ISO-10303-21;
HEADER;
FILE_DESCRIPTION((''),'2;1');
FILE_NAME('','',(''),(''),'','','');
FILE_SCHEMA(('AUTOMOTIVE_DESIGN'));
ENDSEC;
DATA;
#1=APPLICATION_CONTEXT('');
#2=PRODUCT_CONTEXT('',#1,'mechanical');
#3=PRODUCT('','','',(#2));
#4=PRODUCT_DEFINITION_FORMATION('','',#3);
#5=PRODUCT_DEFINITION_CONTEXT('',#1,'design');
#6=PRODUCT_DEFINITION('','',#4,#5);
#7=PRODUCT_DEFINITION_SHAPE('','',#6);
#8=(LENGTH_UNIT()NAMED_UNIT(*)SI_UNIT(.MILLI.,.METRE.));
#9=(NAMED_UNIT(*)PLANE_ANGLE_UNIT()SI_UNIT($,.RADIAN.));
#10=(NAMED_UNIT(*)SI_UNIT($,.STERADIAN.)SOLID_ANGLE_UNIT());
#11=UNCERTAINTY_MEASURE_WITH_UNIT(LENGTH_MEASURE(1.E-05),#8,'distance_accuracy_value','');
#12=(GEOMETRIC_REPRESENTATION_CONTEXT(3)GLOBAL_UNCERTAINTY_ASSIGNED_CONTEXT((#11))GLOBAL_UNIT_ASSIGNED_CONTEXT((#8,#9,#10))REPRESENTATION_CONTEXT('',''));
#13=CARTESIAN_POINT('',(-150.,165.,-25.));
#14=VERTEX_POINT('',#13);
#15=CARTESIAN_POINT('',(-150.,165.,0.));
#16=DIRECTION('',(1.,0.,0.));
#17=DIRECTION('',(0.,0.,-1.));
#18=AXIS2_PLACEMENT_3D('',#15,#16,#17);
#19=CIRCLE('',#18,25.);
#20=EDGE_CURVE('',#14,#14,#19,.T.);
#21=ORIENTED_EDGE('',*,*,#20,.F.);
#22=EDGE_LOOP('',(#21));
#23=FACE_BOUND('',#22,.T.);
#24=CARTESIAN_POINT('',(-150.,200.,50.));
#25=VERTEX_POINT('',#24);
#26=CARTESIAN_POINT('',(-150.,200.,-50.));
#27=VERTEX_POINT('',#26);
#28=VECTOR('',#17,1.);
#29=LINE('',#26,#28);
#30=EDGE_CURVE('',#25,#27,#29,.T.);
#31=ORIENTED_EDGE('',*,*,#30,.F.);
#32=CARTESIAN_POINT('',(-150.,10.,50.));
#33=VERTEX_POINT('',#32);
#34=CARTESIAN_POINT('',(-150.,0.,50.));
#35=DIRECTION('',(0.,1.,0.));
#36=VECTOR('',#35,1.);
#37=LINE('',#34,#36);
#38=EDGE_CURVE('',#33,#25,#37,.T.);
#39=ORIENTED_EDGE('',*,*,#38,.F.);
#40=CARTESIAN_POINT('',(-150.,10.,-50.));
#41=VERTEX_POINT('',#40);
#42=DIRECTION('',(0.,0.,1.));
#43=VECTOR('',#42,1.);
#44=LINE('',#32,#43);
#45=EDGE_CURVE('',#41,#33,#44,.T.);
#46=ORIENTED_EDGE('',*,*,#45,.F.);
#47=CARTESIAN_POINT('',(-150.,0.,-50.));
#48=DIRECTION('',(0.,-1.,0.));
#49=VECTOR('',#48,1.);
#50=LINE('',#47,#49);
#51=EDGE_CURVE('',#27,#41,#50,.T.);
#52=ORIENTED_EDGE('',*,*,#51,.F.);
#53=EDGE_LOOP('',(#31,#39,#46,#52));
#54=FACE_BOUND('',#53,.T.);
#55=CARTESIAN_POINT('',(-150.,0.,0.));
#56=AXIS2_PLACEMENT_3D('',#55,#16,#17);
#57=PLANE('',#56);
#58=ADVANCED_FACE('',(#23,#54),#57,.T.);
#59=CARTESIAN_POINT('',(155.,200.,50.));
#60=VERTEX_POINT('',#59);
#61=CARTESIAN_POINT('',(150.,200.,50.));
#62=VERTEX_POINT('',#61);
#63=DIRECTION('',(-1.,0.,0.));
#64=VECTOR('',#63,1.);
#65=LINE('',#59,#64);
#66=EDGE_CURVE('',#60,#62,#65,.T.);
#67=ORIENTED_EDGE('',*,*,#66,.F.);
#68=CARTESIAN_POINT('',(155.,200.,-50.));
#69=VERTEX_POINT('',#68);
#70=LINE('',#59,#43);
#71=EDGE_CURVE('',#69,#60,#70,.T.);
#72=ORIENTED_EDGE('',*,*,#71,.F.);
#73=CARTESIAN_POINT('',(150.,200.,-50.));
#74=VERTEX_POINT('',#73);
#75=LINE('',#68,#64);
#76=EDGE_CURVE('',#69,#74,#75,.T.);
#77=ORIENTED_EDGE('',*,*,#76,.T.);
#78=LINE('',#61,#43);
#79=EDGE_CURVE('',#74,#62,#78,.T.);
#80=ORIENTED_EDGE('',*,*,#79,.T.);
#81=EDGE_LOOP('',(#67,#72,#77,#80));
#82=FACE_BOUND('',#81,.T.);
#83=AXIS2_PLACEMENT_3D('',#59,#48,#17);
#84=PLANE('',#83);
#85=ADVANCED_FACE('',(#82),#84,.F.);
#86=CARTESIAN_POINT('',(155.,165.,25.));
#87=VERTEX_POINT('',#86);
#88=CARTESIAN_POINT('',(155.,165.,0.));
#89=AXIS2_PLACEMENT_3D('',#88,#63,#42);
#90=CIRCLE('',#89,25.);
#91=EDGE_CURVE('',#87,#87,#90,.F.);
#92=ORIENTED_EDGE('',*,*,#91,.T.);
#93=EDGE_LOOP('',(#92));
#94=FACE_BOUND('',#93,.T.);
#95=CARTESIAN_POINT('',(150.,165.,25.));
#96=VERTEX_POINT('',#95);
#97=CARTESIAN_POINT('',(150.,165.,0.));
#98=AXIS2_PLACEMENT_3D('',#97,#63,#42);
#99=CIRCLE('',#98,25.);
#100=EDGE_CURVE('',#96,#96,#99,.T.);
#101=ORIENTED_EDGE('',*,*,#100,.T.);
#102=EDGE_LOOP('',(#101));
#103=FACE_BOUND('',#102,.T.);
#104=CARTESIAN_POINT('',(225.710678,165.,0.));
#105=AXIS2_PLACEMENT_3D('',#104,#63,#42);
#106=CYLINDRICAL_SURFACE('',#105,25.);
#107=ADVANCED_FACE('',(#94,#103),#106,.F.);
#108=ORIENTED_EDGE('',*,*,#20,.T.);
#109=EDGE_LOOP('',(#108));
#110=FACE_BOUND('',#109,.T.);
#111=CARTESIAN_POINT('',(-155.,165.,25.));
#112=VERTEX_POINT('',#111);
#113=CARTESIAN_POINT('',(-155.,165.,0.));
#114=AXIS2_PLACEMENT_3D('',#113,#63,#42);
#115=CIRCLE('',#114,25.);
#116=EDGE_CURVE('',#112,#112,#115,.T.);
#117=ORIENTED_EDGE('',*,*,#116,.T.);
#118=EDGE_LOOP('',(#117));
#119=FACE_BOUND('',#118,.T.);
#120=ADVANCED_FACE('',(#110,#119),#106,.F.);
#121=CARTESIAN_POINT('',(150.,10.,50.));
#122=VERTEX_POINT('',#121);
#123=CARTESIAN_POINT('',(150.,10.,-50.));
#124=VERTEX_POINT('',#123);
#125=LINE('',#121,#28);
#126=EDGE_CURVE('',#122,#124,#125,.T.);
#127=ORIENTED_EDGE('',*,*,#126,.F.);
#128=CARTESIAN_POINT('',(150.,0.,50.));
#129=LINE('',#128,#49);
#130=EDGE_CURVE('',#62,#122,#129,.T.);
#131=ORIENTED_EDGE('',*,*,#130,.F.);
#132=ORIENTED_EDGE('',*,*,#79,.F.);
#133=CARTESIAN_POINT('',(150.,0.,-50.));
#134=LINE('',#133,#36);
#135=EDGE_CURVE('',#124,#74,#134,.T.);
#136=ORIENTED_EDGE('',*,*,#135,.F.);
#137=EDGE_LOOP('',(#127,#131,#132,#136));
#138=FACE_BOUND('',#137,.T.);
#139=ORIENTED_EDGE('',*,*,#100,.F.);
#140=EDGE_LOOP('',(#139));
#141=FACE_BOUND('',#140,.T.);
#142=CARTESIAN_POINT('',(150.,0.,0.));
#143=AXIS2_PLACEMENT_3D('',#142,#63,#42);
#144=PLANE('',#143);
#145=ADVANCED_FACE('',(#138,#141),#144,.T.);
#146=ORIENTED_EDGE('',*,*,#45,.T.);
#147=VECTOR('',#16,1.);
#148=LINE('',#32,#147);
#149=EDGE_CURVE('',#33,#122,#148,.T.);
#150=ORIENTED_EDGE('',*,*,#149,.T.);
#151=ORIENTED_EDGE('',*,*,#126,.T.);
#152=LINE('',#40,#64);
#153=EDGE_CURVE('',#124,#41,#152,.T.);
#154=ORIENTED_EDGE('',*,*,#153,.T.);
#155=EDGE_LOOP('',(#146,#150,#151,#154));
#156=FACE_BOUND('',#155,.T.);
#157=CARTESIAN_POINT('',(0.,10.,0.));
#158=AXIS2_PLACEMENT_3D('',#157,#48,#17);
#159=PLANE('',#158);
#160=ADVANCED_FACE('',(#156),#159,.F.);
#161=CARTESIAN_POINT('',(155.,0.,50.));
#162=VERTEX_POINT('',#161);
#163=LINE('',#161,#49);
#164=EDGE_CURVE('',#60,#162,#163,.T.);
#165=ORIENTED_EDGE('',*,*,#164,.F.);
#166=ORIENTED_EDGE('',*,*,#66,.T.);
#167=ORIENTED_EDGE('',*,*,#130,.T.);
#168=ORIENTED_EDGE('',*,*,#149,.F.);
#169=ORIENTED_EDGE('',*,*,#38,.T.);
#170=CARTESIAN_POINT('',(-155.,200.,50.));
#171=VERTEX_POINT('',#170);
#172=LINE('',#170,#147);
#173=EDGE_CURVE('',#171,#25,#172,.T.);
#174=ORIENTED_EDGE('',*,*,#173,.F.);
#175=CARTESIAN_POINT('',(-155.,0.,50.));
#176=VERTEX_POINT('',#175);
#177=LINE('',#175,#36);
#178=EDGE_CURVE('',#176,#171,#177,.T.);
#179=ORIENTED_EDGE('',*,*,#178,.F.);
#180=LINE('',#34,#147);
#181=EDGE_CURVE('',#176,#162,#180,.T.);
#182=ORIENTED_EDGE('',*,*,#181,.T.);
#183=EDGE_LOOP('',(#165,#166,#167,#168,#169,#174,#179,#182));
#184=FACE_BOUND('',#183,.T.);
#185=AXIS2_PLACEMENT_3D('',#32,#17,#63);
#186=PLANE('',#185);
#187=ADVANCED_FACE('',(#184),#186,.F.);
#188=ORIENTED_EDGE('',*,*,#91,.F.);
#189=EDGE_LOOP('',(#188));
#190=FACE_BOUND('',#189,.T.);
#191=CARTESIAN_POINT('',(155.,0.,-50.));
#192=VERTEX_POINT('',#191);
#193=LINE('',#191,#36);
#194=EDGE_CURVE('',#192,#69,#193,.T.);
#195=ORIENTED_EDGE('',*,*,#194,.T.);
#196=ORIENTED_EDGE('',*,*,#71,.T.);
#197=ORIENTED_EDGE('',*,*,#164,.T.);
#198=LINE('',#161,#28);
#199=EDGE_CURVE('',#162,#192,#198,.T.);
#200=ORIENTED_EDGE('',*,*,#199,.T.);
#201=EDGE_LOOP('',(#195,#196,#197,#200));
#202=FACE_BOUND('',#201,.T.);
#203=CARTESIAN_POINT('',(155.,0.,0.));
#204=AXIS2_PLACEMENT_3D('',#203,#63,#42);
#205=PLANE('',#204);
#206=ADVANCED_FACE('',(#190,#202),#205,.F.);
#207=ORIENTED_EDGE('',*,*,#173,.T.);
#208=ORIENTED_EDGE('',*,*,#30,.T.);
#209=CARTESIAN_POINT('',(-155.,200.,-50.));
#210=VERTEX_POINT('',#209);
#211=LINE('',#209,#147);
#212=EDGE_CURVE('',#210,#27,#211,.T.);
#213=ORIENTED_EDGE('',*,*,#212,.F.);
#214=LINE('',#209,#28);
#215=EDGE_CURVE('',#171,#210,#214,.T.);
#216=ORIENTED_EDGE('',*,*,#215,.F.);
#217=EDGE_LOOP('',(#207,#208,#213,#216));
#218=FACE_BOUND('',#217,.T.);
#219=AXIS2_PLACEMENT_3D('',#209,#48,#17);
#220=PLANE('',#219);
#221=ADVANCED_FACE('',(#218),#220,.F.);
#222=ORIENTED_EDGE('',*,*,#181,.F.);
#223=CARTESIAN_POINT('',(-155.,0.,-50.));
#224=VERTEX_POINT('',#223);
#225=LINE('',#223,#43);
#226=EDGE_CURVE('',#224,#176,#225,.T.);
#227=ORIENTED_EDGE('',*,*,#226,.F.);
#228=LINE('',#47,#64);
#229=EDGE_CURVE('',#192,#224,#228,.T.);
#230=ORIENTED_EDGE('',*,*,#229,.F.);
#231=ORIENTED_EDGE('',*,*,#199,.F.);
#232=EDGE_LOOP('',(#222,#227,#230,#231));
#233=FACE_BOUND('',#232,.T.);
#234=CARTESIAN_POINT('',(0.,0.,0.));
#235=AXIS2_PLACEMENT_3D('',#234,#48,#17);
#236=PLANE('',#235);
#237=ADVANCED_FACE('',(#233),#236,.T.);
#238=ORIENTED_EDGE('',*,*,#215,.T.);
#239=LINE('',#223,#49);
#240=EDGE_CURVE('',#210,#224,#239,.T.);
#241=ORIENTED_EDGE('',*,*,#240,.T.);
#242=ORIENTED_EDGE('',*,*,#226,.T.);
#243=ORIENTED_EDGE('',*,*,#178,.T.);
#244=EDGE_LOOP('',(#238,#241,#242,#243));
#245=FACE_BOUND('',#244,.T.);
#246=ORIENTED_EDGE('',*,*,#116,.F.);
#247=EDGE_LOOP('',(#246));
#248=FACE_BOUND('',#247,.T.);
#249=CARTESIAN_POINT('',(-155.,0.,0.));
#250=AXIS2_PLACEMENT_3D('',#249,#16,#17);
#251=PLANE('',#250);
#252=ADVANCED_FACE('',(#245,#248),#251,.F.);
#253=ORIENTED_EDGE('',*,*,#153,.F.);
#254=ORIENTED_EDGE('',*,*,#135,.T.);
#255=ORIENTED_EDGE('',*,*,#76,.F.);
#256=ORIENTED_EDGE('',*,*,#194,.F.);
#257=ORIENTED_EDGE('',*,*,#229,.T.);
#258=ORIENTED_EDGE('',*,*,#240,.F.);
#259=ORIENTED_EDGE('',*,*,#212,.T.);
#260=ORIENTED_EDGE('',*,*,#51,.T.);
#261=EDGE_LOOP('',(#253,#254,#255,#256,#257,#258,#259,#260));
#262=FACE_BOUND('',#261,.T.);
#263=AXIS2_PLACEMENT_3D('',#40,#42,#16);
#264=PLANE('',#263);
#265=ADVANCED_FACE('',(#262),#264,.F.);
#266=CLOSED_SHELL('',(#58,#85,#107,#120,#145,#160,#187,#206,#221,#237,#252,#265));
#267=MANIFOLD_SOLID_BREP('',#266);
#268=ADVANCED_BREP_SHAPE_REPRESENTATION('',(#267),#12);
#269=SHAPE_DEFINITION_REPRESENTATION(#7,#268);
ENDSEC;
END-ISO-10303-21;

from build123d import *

# Parameters (mm, degrees)
SKETCH1_W           = 300
SKETCH1_H           = 100
BOSS_EXTRUDE1_DEPTH = 10
SKETCH2_W           = 100
SKETCH2_H           = 200
BOSS_EXTRUDE2_DEPTH = 5
SKETCH3_W           = 100
SKETCH3_H           = 200
BOSS_EXTRUDE3_DEPTH = 5
CUT_EXTRUDE1_REACH  = 374.29
SKETCH4_R           = 25


with BuildPart() as part:
    # Sketch1 → Boss-Extrude1 (new body)
    with BuildSketch(Plane(origin=(0, 0, 0), x_dir=(1, 0, 0), z_dir=(0, 1, 0))):
        Rectangle(SKETCH1_W, SKETCH1_H)
    extrude(amount=BOSS_EXTRUDE1_DEPTH)

    # Sketch2 → Boss-Extrude2 (add)
    with BuildSketch(Plane(origin=(150, 0, 0), x_dir=(0, 0, -1), z_dir=(1, 0, 0))):
        with Locations((0, 100)):
            Rectangle(SKETCH2_W, SKETCH2_H)
    extrude(amount=BOSS_EXTRUDE2_DEPTH)

    # Sketch3 → Boss-Extrude3 (add)
    with BuildSketch(Plane.ZY.offset(150)):
        with Locations((0, 100)):
            Rectangle(SKETCH3_W, SKETCH3_H)
    extrude(amount=BOSS_EXTRUDE3_DEPTH)

    # Cut-Extrude1: up to this face of the body (flat: up to its plane)
    cut_extrude1_end = Plane(part.part.faces().sort_by_distance((155, 100, 0))[0])
    # Sketch4 → Cut-Extrude1 (cut, up to the picked face)
    with BuildSketch(Plane.ZY.offset(155), mode=Mode.PRIVATE) as cut_extrude1_sk1:
        with Locations((0, 165)):
            Circle(SKETCH4_R)
    cut_extrude1_tool1 = split(extrude(cut_extrude1_sk1.sketch, amount=-CUT_EXTRUDE1_REACH, mode=Mode.PRIVATE), bisect_by=cut_extrude1_end, keep=Keep.BOTH, mode=Mode.PRIVATE)
    add(cut_extrude1_tool1.solids().sort_by(Axis((-155, 165, 0), (1, 0, 0)))[0], mode=Mode.SUBTRACT)


solid = part.part
